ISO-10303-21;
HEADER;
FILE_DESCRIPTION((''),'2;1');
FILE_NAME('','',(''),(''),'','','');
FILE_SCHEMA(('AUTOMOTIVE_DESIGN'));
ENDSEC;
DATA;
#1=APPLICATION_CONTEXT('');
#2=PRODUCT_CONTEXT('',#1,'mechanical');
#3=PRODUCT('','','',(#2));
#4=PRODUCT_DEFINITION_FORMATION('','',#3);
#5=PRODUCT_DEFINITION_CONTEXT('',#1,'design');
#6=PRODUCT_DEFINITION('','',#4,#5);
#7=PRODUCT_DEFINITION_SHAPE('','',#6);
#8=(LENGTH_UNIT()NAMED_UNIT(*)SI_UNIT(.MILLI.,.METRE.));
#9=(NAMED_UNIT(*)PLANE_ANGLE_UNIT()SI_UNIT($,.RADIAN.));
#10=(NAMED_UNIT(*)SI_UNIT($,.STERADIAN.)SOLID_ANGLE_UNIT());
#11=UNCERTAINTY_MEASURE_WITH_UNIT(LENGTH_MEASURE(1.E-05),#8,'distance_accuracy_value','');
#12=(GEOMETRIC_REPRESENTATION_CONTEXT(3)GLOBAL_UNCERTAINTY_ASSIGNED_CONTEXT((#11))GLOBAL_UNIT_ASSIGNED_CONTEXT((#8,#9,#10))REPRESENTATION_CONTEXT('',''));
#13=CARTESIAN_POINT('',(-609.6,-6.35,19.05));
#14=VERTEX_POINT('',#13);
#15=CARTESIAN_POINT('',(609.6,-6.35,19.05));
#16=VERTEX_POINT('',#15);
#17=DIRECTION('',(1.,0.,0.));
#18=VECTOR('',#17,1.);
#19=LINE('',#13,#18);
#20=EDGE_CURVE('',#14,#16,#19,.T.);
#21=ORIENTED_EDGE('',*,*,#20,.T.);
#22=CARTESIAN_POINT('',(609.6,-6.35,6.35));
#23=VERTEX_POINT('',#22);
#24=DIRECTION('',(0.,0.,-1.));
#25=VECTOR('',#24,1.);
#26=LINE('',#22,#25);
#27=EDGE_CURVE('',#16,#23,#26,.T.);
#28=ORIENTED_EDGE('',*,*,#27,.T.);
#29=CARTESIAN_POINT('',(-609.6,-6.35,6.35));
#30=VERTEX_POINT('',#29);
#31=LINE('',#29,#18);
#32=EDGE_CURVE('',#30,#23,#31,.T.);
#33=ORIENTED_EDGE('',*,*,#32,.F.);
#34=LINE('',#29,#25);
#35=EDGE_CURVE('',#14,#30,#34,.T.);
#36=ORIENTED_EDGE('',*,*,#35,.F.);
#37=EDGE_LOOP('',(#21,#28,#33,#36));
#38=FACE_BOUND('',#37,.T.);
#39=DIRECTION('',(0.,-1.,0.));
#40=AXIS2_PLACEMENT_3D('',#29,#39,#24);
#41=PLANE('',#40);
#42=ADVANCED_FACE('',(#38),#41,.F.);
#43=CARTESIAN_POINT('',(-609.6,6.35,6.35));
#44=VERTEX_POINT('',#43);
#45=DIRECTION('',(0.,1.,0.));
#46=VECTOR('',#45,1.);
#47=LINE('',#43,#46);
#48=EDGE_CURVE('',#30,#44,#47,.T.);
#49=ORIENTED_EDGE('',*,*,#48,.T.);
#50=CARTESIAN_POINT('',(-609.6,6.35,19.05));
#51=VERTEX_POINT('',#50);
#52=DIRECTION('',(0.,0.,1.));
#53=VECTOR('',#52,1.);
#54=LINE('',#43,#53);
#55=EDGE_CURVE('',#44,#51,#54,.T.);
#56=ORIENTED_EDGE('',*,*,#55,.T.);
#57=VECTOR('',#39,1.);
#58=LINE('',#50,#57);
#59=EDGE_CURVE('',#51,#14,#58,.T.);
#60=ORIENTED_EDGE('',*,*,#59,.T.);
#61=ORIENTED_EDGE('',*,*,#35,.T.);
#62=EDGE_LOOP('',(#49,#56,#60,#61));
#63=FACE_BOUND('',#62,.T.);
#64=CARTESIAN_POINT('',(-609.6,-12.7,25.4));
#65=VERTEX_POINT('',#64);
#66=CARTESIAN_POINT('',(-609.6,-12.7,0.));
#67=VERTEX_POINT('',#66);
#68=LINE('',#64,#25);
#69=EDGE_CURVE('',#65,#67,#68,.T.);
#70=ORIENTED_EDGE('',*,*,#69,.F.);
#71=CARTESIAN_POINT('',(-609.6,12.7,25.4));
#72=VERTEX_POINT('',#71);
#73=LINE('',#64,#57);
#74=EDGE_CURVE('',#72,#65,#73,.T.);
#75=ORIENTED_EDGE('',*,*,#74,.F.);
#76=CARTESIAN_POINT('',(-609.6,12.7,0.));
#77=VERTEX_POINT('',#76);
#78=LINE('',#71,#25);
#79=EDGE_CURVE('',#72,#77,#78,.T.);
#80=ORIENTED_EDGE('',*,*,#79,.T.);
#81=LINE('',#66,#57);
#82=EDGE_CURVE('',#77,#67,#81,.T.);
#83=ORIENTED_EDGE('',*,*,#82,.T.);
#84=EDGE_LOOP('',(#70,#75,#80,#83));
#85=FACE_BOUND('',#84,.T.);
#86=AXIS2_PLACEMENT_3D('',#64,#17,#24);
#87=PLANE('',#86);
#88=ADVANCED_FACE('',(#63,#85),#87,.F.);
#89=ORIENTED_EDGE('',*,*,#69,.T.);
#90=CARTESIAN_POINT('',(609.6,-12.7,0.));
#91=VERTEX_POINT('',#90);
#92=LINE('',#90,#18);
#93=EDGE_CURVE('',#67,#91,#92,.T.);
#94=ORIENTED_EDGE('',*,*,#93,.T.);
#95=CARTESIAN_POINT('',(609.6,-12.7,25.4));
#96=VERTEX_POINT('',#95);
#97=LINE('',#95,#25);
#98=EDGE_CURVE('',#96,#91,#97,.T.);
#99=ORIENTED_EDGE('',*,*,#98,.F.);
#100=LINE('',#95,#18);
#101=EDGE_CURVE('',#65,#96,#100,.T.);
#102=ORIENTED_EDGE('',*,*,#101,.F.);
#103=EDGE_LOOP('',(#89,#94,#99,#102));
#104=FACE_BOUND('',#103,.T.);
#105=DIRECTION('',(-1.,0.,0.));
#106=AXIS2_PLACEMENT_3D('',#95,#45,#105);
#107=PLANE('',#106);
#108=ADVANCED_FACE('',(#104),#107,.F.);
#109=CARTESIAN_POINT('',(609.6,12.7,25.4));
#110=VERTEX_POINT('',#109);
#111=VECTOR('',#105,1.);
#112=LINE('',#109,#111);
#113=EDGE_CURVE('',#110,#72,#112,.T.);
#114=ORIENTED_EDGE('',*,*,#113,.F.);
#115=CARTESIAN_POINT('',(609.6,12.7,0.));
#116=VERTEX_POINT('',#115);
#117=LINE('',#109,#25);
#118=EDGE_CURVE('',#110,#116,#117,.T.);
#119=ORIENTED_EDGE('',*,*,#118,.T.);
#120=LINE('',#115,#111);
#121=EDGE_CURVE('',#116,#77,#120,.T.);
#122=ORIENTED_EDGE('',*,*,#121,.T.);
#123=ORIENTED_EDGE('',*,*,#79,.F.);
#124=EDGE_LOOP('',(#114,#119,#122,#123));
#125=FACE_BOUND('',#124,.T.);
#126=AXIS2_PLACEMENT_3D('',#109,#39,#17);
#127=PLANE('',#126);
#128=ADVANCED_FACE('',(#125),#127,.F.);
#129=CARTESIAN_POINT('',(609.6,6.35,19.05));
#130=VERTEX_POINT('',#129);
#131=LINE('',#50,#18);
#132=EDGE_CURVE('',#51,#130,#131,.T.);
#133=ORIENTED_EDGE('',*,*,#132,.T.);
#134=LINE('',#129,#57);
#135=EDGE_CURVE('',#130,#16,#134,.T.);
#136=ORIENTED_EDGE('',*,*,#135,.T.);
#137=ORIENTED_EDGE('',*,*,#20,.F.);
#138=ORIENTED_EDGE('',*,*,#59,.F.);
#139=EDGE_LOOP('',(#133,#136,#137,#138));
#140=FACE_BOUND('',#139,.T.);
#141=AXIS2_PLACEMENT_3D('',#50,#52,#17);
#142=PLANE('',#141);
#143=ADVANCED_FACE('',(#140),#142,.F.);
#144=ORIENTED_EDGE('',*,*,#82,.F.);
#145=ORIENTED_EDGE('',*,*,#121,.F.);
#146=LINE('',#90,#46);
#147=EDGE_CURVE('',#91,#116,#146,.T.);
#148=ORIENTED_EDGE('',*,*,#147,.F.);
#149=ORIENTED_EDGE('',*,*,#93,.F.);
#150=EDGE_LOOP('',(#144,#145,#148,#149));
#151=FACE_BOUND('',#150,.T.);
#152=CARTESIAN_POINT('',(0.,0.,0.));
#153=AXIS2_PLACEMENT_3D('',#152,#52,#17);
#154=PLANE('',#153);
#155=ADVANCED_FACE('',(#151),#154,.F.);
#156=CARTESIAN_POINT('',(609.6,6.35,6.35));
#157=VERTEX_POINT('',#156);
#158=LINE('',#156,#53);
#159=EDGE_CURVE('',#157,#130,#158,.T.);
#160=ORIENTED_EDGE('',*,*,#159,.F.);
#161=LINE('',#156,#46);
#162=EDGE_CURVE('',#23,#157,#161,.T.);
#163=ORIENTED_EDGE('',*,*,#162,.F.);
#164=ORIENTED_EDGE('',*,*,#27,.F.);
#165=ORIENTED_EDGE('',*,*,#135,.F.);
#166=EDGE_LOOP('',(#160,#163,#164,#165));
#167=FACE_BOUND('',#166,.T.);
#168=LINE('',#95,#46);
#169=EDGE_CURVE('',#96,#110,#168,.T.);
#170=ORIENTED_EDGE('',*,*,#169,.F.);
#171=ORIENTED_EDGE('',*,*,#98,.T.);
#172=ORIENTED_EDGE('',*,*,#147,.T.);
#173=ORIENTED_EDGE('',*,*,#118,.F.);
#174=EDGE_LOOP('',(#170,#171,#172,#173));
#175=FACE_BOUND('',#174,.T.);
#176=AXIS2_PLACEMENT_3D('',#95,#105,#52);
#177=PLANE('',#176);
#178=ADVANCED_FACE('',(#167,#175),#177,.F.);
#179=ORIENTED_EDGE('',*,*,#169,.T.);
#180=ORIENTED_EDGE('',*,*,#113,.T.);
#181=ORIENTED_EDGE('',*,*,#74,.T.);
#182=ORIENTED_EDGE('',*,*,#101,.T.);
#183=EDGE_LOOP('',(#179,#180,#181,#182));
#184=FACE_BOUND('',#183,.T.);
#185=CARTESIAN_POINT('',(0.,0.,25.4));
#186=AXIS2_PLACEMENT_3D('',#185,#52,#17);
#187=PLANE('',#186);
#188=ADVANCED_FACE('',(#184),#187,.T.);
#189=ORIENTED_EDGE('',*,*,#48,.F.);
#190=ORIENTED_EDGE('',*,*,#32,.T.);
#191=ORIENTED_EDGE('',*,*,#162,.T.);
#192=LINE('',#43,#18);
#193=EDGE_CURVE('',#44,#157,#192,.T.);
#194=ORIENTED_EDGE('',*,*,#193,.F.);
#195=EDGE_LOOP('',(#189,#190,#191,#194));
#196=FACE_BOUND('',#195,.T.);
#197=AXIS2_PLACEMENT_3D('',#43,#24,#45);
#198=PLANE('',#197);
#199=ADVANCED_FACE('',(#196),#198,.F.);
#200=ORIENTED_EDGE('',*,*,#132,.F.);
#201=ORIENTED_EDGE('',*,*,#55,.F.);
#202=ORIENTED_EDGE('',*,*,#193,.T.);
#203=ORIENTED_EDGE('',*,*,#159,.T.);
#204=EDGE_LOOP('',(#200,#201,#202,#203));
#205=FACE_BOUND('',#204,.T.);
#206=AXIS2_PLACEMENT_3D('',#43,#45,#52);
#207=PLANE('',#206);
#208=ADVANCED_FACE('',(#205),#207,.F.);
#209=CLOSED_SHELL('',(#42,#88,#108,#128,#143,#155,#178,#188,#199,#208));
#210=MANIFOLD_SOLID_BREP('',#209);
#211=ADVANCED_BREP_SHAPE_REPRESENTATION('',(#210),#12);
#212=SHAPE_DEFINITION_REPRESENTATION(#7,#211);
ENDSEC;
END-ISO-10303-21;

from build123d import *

# Parameters (mm, degrees)
SKETCH1_W           = 1219.2
SKETCH1_H           = 25.4
BOSS_EXTRUDE1_DEPTH = 25.4
SKETCH2_W           = 12.7
SKETCH2_H           = 12.7
CUT_EXTRUDE1_DEPTH  = 1220.530684321


with BuildPart() as part:
    # Sketch1 → Boss-Extrude1 (new body)
    with BuildSketch(Plane.XY):
        Rectangle(SKETCH1_W, SKETCH1_H)
    extrude(amount=BOSS_EXTRUDE1_DEPTH)

    # Sketch2 → Cut-Extrude1 (cut, through all)
    with BuildSketch(Plane(origin=(609.6, 0, 0), x_dir=(0, 0, -1), z_dir=(1, 0, 0))):
        with Locations((-12.7, 0)):
            Rectangle(SKETCH2_W, SKETCH2_H)
    extrude(amount=-CUT_EXTRUDE1_DEPTH, mode=Mode.SUBTRACT)


solid = part.part
